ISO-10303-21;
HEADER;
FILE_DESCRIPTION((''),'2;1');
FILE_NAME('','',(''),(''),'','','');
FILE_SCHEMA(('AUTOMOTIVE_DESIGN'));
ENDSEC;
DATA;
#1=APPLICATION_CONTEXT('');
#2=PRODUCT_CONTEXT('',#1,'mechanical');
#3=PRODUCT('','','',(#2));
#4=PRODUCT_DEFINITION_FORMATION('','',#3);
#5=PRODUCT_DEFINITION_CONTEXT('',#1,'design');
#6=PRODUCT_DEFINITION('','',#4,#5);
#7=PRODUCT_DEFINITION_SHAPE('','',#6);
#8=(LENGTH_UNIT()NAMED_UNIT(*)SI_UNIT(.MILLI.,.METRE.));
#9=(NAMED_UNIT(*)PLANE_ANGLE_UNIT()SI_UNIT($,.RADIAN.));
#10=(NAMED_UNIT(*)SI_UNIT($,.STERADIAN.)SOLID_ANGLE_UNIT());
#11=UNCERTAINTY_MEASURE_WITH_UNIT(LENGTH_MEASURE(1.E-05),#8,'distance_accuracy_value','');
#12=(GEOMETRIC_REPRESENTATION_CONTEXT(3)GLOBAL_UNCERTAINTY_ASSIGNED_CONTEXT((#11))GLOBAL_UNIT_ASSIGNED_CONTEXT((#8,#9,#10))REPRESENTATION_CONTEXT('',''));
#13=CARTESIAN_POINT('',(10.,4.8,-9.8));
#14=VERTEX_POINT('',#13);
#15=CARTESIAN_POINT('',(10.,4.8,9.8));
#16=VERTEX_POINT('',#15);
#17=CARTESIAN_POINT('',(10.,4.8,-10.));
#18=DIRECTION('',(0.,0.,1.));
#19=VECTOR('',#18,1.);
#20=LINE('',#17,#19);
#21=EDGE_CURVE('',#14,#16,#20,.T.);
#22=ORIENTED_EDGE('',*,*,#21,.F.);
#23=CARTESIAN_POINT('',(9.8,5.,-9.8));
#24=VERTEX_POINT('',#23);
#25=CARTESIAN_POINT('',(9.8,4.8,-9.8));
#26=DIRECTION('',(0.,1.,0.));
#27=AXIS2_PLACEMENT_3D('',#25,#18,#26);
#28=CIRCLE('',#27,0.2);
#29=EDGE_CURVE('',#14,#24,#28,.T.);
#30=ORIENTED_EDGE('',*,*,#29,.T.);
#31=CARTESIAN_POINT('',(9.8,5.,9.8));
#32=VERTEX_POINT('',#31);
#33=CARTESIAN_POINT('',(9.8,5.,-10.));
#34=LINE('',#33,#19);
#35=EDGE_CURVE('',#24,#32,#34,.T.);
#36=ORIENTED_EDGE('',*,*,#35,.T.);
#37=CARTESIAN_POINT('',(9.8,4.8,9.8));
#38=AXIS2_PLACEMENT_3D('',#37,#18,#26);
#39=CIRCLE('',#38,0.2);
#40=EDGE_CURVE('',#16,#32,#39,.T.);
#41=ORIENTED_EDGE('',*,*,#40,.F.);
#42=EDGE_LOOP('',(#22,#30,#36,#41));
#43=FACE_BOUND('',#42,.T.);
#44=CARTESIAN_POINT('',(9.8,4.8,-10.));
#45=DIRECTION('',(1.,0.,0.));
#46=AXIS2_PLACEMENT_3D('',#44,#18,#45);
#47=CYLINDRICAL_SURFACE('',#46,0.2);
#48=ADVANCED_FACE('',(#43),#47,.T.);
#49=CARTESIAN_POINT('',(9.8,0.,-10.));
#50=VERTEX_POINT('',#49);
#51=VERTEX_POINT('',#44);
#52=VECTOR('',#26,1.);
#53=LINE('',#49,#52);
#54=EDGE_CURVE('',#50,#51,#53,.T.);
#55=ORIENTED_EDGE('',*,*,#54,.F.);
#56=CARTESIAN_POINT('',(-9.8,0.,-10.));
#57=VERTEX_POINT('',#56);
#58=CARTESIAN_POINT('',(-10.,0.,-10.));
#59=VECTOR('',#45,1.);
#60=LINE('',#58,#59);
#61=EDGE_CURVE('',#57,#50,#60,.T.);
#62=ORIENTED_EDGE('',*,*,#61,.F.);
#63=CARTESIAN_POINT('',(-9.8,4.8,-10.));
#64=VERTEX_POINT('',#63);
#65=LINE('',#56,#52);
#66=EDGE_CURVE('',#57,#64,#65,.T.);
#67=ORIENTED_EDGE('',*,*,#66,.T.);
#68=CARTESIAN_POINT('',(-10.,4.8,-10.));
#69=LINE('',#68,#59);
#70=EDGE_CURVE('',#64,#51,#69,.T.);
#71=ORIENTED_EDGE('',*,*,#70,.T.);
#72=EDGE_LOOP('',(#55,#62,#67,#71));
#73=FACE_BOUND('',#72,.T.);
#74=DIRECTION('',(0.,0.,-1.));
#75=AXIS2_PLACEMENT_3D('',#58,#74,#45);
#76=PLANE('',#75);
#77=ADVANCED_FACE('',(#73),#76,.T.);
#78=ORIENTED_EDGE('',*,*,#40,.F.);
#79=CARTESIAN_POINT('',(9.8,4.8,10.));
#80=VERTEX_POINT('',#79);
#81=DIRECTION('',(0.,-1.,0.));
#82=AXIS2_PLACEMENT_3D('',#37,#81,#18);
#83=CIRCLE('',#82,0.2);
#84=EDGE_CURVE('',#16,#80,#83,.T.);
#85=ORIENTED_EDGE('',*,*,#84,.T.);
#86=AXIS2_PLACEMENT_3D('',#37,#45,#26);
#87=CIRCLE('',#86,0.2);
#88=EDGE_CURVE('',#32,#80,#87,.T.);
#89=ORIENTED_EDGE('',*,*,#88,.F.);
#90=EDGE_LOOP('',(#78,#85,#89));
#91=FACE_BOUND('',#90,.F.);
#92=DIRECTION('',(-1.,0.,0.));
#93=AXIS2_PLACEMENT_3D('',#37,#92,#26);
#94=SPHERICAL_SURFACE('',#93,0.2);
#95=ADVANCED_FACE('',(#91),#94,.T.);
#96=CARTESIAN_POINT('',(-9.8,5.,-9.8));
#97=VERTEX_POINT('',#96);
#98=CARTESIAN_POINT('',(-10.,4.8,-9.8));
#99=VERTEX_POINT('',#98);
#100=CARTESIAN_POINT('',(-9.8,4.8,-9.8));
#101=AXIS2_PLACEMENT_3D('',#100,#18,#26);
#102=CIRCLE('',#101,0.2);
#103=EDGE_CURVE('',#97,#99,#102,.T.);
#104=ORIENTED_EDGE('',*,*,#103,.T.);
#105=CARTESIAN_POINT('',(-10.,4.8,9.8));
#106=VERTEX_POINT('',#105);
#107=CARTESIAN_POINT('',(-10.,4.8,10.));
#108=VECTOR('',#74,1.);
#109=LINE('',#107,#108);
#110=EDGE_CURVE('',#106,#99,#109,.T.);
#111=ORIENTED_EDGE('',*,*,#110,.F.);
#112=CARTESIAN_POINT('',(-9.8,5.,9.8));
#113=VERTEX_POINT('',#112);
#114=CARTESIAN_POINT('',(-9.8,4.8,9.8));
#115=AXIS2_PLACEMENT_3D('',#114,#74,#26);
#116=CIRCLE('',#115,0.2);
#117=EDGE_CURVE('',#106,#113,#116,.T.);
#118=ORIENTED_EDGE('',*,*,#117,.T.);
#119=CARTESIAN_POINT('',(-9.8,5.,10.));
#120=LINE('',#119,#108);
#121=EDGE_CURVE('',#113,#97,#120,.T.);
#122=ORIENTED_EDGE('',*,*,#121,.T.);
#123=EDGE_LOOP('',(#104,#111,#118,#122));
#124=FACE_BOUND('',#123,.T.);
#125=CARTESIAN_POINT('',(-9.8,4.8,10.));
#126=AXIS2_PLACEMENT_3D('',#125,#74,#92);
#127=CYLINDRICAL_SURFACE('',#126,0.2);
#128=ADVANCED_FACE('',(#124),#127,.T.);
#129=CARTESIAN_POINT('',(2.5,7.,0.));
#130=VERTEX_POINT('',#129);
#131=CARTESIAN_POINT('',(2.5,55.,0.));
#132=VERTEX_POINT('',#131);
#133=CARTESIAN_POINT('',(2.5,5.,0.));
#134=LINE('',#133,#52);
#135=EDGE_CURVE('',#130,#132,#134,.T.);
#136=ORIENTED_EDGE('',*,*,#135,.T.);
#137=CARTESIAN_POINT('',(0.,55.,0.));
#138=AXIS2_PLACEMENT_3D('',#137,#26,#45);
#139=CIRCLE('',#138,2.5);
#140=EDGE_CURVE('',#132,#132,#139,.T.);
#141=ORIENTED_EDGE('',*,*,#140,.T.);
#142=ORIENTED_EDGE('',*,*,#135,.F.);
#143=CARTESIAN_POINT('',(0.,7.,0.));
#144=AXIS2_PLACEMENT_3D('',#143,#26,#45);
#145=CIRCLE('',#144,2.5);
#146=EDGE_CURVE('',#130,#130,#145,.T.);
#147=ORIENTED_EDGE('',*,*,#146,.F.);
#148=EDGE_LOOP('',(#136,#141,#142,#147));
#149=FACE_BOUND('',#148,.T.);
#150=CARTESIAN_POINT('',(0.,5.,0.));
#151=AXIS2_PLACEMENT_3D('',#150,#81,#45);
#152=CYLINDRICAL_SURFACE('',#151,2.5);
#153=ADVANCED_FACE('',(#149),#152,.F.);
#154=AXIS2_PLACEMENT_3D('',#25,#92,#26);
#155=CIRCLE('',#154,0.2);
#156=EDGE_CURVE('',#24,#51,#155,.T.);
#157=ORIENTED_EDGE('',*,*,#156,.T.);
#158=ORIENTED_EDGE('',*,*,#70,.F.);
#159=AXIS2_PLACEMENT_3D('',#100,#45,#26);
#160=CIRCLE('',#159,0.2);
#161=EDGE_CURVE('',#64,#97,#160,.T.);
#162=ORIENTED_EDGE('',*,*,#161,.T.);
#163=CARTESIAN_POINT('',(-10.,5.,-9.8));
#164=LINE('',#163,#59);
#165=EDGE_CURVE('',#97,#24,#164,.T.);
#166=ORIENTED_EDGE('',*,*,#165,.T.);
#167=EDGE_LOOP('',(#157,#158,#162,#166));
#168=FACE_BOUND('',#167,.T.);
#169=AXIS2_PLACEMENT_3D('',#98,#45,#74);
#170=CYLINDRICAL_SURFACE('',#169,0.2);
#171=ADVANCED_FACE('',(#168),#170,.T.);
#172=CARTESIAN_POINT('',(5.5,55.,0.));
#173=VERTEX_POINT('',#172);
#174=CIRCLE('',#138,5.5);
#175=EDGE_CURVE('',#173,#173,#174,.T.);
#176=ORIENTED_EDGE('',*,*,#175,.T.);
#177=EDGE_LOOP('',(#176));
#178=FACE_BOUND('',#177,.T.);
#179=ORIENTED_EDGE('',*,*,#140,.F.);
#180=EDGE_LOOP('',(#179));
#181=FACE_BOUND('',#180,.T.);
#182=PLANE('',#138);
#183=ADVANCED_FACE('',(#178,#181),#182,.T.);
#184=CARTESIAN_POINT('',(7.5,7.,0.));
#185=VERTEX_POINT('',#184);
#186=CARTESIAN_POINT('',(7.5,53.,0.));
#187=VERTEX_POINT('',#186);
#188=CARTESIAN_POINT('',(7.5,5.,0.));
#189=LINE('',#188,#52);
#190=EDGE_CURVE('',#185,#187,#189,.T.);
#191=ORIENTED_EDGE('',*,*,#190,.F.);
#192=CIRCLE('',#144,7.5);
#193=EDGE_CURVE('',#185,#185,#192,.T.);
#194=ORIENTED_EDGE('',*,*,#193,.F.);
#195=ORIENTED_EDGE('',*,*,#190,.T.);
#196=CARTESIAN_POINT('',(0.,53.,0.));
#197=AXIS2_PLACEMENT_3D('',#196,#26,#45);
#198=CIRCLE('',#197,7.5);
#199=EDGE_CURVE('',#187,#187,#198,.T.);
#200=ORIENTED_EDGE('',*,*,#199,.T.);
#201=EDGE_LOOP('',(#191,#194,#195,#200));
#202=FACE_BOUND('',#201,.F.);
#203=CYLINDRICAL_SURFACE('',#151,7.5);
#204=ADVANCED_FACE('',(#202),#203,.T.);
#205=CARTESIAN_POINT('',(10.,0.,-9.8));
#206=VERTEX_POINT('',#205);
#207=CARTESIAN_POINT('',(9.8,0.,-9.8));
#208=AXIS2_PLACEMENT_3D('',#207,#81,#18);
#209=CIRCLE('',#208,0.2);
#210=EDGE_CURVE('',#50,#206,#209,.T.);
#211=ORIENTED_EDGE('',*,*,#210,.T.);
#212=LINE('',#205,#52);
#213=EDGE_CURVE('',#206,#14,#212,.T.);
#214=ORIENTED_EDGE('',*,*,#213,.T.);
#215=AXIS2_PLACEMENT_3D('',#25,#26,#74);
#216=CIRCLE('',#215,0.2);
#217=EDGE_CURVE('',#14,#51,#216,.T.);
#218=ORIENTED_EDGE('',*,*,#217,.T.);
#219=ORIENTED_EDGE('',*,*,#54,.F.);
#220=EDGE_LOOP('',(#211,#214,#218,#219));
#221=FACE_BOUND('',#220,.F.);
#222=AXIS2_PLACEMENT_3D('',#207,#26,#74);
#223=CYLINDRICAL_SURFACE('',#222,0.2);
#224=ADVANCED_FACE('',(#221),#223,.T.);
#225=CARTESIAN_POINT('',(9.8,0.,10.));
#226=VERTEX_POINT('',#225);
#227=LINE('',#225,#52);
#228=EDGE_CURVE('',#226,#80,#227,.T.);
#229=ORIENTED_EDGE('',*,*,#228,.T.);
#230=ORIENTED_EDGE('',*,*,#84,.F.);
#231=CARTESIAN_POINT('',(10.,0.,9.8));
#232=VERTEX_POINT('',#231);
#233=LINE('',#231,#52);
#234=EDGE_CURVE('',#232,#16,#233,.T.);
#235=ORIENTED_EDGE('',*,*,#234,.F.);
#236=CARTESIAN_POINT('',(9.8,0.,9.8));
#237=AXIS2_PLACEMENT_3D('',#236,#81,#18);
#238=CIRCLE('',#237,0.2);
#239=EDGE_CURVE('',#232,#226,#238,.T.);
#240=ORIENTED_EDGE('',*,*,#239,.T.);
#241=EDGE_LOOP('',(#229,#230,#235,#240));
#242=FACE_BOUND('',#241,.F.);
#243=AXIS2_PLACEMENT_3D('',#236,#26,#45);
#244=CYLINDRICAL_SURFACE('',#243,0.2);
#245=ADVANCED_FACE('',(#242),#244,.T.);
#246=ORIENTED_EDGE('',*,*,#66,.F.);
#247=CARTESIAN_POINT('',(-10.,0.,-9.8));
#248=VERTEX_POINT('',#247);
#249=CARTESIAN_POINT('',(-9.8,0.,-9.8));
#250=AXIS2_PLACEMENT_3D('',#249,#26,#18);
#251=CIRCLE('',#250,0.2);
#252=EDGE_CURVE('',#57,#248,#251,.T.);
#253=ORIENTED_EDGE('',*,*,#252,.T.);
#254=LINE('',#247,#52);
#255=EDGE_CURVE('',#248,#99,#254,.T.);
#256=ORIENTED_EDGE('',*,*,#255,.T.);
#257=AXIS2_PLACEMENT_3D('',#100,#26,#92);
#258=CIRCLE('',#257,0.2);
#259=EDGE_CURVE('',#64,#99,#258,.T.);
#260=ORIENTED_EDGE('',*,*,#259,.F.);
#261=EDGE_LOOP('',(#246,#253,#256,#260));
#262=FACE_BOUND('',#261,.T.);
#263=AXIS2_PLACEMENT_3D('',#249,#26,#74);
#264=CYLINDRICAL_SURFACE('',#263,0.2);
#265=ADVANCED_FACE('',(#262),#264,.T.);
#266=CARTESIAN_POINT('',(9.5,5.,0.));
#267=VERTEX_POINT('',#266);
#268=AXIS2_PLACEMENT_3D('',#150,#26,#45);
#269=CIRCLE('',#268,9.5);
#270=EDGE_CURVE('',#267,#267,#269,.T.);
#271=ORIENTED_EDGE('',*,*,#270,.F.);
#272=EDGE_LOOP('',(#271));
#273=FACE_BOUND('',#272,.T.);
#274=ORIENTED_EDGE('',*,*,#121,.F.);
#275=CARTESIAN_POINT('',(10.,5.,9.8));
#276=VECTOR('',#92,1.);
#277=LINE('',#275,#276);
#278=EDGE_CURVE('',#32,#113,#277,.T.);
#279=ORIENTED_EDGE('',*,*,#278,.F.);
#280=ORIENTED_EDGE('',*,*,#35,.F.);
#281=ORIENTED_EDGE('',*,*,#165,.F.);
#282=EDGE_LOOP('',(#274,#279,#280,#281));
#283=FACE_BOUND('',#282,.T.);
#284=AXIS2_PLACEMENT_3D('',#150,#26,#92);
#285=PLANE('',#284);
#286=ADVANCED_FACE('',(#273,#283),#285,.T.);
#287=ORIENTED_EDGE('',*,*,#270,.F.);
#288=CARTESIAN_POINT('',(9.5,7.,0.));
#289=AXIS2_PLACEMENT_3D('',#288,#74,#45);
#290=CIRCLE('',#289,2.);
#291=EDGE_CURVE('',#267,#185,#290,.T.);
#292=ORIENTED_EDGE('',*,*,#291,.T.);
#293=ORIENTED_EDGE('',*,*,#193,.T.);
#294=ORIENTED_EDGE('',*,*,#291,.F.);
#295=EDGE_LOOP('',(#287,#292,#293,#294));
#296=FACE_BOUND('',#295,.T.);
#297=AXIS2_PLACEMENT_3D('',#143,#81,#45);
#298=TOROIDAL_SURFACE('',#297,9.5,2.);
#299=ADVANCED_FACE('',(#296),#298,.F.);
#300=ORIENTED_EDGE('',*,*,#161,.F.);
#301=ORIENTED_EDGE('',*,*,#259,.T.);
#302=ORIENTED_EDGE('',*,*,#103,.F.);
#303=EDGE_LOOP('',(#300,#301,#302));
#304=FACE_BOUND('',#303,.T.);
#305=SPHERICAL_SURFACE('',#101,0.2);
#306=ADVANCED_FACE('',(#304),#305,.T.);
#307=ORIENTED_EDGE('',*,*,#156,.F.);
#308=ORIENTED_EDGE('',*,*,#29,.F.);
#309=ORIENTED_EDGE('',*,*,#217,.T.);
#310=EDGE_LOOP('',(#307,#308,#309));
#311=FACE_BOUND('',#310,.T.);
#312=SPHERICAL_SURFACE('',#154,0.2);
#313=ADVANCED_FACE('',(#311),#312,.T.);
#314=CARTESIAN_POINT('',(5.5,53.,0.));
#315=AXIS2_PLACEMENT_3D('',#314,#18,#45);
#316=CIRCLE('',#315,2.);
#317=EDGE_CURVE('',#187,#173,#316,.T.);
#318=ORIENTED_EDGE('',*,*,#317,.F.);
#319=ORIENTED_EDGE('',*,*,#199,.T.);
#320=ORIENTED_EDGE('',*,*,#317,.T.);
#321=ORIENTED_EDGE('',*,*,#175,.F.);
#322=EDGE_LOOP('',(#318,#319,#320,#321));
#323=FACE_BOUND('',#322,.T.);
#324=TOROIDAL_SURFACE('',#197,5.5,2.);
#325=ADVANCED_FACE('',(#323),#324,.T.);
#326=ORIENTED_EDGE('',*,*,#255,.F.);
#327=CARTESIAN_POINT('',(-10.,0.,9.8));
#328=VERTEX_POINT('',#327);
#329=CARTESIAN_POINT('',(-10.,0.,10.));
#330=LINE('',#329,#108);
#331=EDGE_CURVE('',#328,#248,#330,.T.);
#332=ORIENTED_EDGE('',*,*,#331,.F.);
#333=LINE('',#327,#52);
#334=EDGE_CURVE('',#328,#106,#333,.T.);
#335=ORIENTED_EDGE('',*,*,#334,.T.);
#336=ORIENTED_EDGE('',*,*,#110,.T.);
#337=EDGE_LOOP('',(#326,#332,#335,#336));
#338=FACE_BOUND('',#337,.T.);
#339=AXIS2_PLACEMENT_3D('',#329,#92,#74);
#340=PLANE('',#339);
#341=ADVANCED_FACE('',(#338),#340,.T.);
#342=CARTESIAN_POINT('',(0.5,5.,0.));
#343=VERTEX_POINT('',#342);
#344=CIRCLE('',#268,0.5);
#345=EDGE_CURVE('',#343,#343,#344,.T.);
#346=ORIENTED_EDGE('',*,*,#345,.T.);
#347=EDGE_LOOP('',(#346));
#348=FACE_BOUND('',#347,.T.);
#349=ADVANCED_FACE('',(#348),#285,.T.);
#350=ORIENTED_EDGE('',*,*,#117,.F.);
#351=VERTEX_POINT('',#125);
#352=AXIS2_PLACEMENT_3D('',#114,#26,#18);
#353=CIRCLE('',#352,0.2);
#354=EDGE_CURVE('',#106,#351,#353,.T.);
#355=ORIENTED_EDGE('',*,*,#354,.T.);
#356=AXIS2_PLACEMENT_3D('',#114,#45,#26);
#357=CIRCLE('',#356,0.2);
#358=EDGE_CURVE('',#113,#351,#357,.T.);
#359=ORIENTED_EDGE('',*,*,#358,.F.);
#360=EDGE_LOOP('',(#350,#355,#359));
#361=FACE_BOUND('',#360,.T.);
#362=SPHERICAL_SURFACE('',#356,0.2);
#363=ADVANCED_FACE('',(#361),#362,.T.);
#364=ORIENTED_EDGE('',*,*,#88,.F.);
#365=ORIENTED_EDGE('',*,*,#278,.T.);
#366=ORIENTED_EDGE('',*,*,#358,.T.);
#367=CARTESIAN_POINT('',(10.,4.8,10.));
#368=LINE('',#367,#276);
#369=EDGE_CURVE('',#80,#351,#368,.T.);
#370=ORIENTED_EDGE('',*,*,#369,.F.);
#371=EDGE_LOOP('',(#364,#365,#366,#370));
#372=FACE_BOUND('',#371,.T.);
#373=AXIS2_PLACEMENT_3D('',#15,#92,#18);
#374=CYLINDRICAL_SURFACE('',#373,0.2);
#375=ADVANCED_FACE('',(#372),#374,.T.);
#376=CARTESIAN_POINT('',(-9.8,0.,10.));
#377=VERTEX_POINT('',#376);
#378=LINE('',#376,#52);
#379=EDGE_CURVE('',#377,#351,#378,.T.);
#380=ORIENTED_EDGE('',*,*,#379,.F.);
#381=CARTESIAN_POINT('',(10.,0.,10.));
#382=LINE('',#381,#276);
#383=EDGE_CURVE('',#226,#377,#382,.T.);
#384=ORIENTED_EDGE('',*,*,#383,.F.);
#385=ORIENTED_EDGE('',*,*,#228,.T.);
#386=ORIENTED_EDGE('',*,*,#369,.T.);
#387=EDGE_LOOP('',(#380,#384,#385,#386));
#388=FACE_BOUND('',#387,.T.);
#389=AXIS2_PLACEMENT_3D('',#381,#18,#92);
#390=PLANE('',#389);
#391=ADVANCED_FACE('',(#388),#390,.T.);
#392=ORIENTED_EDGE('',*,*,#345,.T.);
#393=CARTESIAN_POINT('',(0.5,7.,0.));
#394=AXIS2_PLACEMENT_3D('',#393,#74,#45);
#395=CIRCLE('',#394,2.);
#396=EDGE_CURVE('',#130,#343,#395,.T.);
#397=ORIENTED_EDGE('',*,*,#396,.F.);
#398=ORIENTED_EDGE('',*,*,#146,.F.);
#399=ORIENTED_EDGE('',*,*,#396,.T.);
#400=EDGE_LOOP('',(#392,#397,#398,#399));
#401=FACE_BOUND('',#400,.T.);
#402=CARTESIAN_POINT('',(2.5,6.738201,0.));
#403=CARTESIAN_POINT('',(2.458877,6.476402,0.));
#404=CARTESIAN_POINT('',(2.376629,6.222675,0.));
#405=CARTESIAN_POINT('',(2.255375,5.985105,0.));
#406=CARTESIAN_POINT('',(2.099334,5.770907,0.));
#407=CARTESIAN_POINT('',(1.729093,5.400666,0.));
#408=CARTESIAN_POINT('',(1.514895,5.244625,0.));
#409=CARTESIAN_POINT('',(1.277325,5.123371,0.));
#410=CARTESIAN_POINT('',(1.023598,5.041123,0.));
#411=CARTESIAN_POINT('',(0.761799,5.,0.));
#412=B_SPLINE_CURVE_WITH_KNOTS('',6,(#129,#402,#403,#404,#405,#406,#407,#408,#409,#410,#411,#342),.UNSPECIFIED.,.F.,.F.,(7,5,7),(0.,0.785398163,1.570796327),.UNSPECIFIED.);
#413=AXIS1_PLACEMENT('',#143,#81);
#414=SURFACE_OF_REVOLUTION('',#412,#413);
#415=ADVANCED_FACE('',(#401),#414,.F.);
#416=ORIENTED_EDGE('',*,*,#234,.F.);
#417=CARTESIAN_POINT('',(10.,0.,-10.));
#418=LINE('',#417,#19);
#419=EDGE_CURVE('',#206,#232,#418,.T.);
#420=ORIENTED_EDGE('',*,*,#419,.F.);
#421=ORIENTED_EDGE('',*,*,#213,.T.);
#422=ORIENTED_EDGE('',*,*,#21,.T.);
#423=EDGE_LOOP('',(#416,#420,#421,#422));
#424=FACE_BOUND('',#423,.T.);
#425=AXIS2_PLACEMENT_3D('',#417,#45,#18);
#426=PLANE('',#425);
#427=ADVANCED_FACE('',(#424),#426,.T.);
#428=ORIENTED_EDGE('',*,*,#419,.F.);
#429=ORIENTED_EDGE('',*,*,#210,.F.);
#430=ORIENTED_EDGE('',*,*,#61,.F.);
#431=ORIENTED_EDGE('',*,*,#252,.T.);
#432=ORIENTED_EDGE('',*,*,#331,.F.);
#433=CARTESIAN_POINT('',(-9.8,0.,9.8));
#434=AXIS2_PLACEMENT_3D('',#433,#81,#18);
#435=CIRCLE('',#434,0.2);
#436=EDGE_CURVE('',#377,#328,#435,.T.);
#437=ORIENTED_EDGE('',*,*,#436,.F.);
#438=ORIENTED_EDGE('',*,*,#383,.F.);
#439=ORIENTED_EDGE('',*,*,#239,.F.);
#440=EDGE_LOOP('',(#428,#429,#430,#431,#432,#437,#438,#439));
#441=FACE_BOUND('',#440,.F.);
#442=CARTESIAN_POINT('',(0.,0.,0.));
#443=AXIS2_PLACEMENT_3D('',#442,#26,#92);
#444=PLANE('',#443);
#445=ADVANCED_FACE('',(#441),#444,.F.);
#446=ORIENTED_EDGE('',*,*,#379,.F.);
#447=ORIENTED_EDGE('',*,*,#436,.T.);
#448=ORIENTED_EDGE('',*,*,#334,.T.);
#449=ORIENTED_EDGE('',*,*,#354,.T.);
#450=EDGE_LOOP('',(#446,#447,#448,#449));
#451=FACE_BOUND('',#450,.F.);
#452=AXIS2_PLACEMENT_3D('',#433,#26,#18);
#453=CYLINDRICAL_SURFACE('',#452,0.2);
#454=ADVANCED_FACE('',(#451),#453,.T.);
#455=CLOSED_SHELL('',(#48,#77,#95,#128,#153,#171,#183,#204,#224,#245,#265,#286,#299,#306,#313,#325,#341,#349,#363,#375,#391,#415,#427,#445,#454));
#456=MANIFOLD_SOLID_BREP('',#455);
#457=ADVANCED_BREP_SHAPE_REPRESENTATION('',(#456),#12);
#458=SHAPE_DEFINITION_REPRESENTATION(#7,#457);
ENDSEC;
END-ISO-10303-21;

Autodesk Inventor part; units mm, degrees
ref_plane "YZ Plane" through (0, 0, 0) normal (1, 0, 0) x (0, 1, 0)
ref_plane "XZ Plane" through (0, 0, 0) normal (0, 1, 0) x (-1, 0, 0)
ref_plane "XY Plane" through (0, 0, 0) normal (0, 0, 1) x (1, 0, 0)
sketch "スケッチ1" plane through (0, 0, 0) normal (0, 1, 0) x (-1, 0, 0)
  line L0 (10, -10) -> (-10, -10)
  line L1 (-10, -10) -> (-10, 10)
  line L2 (-10, 10) -> (10, 10)
  line L3 (10, 10) -> (10, -10)
  line L4 (10, -10) -> (-10, 10) construction
  line L5 (-10, -10) -> (10, 10) construction
  point P0 (0, 0)
  dimension "d0" = 20
  dimension "d1" = 20
extrude "押し出し1" add sketch "スケッチ1" along normal blind 5
fillet "フィレット1" radius 0.2 8 edges at (0, 5, 10) (-10, 5, 0) (0, 5, -10) (10, 5, 0) (10, 2.5, 10) (-10, 2.5, 10) (-10, 2.5, -10) (10, 2.5, -10)
sketch "スケッチ2" plane through (0, 5, 0) normal (0, 1, 0) x (1, 0, 0)
  circle A0 centre (0, 0) radius 7.5
  circle A1 centre (0, 0) radius 2.5
  dimension "d9" = 2
  dimension "d5" = 15
  dimension "d6" = 5
extrude "押し出し2" add sketch "スケッチ2" along normal blind 50
fillet "フィレット2" radius 2 3 edges at (-7.5, 55, 0) (-7.5, 5, 0) (-2.5, 5, 0)
properties part number "baseA"
